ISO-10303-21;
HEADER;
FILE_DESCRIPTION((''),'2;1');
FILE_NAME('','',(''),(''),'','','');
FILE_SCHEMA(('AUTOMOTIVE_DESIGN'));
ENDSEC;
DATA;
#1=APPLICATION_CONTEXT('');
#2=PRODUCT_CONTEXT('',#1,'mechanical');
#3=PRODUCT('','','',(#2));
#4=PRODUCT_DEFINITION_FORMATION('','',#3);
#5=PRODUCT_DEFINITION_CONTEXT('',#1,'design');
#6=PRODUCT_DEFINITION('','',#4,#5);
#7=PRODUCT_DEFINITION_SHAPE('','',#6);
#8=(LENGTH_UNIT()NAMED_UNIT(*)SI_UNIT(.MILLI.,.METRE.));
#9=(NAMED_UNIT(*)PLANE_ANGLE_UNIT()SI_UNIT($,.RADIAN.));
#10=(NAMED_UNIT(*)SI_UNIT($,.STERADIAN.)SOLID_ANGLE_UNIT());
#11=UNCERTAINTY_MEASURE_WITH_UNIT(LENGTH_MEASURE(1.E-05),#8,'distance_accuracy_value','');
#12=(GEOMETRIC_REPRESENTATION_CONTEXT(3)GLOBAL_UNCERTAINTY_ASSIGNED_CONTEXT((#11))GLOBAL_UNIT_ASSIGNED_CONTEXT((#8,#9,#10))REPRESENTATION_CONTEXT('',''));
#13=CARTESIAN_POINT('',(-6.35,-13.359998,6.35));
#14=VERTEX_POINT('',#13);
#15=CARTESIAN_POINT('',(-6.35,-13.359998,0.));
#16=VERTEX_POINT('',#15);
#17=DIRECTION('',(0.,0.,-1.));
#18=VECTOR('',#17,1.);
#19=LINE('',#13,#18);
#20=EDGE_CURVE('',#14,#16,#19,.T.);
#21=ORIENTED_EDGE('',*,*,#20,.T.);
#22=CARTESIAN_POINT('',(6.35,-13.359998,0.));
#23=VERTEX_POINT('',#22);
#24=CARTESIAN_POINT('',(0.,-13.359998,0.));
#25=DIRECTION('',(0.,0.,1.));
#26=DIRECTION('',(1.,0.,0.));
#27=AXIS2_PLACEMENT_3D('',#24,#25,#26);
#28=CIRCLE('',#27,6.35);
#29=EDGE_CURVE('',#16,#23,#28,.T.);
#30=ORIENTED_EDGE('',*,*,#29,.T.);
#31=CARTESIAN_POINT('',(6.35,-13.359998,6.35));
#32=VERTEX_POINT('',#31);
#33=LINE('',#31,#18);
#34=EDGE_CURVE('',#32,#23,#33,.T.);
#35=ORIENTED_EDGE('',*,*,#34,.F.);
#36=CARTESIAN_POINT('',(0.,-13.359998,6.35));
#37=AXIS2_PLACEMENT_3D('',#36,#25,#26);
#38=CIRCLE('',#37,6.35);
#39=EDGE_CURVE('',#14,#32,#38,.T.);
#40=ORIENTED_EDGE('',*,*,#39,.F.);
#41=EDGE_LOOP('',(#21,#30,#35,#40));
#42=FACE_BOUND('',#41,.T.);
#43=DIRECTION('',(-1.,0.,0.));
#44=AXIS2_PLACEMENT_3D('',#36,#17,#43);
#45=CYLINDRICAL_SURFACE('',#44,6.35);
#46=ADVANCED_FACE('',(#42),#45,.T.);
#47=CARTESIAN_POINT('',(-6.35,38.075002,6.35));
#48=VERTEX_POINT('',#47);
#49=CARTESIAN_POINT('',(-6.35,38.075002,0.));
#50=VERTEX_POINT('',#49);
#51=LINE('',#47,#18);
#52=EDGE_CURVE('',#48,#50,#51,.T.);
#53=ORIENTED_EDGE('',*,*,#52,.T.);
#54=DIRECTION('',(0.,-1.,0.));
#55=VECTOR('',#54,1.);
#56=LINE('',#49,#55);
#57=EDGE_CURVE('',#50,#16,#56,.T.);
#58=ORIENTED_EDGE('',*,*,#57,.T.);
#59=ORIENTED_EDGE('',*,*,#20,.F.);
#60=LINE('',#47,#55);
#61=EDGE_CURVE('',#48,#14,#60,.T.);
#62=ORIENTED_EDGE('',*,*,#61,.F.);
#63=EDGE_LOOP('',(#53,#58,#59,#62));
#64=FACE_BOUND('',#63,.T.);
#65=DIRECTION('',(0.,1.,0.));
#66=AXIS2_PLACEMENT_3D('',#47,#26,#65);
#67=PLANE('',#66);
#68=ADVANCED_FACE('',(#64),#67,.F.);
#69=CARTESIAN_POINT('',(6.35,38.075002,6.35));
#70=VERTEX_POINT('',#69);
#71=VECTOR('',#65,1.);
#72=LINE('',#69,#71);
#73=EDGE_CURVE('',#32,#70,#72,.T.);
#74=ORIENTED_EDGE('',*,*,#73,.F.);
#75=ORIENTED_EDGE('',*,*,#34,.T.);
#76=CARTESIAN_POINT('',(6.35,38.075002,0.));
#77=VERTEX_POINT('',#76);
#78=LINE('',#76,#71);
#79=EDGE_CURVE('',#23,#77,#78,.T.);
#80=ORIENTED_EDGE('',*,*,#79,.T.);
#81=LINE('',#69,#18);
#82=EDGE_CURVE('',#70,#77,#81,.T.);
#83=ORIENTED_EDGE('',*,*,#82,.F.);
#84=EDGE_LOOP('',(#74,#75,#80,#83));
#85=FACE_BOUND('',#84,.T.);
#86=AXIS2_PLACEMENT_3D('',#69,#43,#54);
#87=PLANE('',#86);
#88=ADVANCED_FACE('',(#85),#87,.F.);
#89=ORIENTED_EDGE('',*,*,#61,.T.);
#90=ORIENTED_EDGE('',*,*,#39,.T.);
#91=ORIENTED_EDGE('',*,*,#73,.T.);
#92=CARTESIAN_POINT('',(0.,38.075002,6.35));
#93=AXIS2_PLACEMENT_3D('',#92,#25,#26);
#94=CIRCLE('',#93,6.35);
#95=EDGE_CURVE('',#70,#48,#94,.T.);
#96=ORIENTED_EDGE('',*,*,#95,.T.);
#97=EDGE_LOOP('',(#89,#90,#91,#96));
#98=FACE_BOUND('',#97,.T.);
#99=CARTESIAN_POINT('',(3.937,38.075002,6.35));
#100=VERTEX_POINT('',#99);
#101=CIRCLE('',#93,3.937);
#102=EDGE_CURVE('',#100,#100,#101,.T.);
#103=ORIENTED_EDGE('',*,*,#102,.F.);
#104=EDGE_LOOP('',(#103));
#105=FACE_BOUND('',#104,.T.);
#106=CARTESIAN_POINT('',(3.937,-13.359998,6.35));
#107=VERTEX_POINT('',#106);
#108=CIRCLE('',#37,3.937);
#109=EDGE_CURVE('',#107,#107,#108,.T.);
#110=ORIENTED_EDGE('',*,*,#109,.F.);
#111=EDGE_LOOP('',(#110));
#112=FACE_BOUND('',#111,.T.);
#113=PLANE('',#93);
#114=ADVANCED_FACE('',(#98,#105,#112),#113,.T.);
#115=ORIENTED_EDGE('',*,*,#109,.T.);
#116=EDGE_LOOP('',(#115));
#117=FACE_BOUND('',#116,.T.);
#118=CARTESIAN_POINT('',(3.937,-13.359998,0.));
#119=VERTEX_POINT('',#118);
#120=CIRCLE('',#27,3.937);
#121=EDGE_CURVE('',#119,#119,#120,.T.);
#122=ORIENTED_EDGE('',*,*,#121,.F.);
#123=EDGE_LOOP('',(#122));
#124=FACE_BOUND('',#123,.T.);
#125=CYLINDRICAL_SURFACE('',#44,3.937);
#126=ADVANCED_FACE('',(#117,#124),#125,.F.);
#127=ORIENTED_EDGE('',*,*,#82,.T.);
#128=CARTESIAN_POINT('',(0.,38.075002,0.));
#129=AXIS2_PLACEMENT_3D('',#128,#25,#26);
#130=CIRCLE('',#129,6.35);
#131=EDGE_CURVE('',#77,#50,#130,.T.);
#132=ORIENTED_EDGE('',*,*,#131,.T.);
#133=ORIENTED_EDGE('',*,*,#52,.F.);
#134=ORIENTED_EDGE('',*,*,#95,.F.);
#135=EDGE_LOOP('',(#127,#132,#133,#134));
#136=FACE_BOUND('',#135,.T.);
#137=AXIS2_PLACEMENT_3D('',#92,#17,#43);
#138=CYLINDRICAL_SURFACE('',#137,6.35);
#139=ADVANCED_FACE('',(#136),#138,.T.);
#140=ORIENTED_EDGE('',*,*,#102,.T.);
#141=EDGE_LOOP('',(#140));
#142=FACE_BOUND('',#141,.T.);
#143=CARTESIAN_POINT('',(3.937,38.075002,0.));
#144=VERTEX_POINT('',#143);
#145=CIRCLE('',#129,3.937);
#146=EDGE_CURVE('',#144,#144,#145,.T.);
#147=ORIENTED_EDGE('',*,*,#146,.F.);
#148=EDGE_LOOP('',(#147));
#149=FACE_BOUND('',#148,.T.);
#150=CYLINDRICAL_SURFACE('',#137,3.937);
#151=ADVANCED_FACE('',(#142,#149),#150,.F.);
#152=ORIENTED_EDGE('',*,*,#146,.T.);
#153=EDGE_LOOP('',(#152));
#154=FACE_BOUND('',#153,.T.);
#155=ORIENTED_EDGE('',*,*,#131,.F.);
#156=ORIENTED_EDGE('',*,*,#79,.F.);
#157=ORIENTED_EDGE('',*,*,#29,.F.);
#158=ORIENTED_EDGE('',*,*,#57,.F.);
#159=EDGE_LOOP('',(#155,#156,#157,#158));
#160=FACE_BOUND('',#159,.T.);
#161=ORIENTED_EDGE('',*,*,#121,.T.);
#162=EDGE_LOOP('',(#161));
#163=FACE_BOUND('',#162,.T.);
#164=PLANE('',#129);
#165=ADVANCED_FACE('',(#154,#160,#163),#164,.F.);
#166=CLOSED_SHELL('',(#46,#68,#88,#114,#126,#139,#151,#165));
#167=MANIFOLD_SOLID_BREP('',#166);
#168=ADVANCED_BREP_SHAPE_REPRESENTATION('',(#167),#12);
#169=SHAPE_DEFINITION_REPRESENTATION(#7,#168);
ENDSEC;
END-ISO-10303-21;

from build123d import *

# Parameters (mm, degrees)
SKETCH1_R           = 3.937
BOSS_EXTRUDE1_DEPTH = 6.35


with BuildPart() as part:
    # Sketch1 → Boss-Extrude1 (new body)
    with BuildSketch(Plane.XY):
        with BuildLine():
            Line((6.35, 38.075002032), (6.35, -13.359997968))
            ThreePointArc((6.35, -13.359997968), (0, -19.709997968), (-6.35, -13.359997968))
            Line((-6.35, -13.359997968), (-6.35, 38.075002032))
            ThreePointArc((-6.35, 38.075002032), (0, 44.425002032), (6.35, 38.075002032))
        make_face()
        with Locations((0, 38.075002032)):
            Circle(SKETCH1_R, mode=Mode.SUBTRACT)
        with Locations((0, -13.359997968)):
            Circle(SKETCH1_R, mode=Mode.SUBTRACT)
    extrude(amount=BOSS_EXTRUDE1_DEPTH)


solid = part.part
